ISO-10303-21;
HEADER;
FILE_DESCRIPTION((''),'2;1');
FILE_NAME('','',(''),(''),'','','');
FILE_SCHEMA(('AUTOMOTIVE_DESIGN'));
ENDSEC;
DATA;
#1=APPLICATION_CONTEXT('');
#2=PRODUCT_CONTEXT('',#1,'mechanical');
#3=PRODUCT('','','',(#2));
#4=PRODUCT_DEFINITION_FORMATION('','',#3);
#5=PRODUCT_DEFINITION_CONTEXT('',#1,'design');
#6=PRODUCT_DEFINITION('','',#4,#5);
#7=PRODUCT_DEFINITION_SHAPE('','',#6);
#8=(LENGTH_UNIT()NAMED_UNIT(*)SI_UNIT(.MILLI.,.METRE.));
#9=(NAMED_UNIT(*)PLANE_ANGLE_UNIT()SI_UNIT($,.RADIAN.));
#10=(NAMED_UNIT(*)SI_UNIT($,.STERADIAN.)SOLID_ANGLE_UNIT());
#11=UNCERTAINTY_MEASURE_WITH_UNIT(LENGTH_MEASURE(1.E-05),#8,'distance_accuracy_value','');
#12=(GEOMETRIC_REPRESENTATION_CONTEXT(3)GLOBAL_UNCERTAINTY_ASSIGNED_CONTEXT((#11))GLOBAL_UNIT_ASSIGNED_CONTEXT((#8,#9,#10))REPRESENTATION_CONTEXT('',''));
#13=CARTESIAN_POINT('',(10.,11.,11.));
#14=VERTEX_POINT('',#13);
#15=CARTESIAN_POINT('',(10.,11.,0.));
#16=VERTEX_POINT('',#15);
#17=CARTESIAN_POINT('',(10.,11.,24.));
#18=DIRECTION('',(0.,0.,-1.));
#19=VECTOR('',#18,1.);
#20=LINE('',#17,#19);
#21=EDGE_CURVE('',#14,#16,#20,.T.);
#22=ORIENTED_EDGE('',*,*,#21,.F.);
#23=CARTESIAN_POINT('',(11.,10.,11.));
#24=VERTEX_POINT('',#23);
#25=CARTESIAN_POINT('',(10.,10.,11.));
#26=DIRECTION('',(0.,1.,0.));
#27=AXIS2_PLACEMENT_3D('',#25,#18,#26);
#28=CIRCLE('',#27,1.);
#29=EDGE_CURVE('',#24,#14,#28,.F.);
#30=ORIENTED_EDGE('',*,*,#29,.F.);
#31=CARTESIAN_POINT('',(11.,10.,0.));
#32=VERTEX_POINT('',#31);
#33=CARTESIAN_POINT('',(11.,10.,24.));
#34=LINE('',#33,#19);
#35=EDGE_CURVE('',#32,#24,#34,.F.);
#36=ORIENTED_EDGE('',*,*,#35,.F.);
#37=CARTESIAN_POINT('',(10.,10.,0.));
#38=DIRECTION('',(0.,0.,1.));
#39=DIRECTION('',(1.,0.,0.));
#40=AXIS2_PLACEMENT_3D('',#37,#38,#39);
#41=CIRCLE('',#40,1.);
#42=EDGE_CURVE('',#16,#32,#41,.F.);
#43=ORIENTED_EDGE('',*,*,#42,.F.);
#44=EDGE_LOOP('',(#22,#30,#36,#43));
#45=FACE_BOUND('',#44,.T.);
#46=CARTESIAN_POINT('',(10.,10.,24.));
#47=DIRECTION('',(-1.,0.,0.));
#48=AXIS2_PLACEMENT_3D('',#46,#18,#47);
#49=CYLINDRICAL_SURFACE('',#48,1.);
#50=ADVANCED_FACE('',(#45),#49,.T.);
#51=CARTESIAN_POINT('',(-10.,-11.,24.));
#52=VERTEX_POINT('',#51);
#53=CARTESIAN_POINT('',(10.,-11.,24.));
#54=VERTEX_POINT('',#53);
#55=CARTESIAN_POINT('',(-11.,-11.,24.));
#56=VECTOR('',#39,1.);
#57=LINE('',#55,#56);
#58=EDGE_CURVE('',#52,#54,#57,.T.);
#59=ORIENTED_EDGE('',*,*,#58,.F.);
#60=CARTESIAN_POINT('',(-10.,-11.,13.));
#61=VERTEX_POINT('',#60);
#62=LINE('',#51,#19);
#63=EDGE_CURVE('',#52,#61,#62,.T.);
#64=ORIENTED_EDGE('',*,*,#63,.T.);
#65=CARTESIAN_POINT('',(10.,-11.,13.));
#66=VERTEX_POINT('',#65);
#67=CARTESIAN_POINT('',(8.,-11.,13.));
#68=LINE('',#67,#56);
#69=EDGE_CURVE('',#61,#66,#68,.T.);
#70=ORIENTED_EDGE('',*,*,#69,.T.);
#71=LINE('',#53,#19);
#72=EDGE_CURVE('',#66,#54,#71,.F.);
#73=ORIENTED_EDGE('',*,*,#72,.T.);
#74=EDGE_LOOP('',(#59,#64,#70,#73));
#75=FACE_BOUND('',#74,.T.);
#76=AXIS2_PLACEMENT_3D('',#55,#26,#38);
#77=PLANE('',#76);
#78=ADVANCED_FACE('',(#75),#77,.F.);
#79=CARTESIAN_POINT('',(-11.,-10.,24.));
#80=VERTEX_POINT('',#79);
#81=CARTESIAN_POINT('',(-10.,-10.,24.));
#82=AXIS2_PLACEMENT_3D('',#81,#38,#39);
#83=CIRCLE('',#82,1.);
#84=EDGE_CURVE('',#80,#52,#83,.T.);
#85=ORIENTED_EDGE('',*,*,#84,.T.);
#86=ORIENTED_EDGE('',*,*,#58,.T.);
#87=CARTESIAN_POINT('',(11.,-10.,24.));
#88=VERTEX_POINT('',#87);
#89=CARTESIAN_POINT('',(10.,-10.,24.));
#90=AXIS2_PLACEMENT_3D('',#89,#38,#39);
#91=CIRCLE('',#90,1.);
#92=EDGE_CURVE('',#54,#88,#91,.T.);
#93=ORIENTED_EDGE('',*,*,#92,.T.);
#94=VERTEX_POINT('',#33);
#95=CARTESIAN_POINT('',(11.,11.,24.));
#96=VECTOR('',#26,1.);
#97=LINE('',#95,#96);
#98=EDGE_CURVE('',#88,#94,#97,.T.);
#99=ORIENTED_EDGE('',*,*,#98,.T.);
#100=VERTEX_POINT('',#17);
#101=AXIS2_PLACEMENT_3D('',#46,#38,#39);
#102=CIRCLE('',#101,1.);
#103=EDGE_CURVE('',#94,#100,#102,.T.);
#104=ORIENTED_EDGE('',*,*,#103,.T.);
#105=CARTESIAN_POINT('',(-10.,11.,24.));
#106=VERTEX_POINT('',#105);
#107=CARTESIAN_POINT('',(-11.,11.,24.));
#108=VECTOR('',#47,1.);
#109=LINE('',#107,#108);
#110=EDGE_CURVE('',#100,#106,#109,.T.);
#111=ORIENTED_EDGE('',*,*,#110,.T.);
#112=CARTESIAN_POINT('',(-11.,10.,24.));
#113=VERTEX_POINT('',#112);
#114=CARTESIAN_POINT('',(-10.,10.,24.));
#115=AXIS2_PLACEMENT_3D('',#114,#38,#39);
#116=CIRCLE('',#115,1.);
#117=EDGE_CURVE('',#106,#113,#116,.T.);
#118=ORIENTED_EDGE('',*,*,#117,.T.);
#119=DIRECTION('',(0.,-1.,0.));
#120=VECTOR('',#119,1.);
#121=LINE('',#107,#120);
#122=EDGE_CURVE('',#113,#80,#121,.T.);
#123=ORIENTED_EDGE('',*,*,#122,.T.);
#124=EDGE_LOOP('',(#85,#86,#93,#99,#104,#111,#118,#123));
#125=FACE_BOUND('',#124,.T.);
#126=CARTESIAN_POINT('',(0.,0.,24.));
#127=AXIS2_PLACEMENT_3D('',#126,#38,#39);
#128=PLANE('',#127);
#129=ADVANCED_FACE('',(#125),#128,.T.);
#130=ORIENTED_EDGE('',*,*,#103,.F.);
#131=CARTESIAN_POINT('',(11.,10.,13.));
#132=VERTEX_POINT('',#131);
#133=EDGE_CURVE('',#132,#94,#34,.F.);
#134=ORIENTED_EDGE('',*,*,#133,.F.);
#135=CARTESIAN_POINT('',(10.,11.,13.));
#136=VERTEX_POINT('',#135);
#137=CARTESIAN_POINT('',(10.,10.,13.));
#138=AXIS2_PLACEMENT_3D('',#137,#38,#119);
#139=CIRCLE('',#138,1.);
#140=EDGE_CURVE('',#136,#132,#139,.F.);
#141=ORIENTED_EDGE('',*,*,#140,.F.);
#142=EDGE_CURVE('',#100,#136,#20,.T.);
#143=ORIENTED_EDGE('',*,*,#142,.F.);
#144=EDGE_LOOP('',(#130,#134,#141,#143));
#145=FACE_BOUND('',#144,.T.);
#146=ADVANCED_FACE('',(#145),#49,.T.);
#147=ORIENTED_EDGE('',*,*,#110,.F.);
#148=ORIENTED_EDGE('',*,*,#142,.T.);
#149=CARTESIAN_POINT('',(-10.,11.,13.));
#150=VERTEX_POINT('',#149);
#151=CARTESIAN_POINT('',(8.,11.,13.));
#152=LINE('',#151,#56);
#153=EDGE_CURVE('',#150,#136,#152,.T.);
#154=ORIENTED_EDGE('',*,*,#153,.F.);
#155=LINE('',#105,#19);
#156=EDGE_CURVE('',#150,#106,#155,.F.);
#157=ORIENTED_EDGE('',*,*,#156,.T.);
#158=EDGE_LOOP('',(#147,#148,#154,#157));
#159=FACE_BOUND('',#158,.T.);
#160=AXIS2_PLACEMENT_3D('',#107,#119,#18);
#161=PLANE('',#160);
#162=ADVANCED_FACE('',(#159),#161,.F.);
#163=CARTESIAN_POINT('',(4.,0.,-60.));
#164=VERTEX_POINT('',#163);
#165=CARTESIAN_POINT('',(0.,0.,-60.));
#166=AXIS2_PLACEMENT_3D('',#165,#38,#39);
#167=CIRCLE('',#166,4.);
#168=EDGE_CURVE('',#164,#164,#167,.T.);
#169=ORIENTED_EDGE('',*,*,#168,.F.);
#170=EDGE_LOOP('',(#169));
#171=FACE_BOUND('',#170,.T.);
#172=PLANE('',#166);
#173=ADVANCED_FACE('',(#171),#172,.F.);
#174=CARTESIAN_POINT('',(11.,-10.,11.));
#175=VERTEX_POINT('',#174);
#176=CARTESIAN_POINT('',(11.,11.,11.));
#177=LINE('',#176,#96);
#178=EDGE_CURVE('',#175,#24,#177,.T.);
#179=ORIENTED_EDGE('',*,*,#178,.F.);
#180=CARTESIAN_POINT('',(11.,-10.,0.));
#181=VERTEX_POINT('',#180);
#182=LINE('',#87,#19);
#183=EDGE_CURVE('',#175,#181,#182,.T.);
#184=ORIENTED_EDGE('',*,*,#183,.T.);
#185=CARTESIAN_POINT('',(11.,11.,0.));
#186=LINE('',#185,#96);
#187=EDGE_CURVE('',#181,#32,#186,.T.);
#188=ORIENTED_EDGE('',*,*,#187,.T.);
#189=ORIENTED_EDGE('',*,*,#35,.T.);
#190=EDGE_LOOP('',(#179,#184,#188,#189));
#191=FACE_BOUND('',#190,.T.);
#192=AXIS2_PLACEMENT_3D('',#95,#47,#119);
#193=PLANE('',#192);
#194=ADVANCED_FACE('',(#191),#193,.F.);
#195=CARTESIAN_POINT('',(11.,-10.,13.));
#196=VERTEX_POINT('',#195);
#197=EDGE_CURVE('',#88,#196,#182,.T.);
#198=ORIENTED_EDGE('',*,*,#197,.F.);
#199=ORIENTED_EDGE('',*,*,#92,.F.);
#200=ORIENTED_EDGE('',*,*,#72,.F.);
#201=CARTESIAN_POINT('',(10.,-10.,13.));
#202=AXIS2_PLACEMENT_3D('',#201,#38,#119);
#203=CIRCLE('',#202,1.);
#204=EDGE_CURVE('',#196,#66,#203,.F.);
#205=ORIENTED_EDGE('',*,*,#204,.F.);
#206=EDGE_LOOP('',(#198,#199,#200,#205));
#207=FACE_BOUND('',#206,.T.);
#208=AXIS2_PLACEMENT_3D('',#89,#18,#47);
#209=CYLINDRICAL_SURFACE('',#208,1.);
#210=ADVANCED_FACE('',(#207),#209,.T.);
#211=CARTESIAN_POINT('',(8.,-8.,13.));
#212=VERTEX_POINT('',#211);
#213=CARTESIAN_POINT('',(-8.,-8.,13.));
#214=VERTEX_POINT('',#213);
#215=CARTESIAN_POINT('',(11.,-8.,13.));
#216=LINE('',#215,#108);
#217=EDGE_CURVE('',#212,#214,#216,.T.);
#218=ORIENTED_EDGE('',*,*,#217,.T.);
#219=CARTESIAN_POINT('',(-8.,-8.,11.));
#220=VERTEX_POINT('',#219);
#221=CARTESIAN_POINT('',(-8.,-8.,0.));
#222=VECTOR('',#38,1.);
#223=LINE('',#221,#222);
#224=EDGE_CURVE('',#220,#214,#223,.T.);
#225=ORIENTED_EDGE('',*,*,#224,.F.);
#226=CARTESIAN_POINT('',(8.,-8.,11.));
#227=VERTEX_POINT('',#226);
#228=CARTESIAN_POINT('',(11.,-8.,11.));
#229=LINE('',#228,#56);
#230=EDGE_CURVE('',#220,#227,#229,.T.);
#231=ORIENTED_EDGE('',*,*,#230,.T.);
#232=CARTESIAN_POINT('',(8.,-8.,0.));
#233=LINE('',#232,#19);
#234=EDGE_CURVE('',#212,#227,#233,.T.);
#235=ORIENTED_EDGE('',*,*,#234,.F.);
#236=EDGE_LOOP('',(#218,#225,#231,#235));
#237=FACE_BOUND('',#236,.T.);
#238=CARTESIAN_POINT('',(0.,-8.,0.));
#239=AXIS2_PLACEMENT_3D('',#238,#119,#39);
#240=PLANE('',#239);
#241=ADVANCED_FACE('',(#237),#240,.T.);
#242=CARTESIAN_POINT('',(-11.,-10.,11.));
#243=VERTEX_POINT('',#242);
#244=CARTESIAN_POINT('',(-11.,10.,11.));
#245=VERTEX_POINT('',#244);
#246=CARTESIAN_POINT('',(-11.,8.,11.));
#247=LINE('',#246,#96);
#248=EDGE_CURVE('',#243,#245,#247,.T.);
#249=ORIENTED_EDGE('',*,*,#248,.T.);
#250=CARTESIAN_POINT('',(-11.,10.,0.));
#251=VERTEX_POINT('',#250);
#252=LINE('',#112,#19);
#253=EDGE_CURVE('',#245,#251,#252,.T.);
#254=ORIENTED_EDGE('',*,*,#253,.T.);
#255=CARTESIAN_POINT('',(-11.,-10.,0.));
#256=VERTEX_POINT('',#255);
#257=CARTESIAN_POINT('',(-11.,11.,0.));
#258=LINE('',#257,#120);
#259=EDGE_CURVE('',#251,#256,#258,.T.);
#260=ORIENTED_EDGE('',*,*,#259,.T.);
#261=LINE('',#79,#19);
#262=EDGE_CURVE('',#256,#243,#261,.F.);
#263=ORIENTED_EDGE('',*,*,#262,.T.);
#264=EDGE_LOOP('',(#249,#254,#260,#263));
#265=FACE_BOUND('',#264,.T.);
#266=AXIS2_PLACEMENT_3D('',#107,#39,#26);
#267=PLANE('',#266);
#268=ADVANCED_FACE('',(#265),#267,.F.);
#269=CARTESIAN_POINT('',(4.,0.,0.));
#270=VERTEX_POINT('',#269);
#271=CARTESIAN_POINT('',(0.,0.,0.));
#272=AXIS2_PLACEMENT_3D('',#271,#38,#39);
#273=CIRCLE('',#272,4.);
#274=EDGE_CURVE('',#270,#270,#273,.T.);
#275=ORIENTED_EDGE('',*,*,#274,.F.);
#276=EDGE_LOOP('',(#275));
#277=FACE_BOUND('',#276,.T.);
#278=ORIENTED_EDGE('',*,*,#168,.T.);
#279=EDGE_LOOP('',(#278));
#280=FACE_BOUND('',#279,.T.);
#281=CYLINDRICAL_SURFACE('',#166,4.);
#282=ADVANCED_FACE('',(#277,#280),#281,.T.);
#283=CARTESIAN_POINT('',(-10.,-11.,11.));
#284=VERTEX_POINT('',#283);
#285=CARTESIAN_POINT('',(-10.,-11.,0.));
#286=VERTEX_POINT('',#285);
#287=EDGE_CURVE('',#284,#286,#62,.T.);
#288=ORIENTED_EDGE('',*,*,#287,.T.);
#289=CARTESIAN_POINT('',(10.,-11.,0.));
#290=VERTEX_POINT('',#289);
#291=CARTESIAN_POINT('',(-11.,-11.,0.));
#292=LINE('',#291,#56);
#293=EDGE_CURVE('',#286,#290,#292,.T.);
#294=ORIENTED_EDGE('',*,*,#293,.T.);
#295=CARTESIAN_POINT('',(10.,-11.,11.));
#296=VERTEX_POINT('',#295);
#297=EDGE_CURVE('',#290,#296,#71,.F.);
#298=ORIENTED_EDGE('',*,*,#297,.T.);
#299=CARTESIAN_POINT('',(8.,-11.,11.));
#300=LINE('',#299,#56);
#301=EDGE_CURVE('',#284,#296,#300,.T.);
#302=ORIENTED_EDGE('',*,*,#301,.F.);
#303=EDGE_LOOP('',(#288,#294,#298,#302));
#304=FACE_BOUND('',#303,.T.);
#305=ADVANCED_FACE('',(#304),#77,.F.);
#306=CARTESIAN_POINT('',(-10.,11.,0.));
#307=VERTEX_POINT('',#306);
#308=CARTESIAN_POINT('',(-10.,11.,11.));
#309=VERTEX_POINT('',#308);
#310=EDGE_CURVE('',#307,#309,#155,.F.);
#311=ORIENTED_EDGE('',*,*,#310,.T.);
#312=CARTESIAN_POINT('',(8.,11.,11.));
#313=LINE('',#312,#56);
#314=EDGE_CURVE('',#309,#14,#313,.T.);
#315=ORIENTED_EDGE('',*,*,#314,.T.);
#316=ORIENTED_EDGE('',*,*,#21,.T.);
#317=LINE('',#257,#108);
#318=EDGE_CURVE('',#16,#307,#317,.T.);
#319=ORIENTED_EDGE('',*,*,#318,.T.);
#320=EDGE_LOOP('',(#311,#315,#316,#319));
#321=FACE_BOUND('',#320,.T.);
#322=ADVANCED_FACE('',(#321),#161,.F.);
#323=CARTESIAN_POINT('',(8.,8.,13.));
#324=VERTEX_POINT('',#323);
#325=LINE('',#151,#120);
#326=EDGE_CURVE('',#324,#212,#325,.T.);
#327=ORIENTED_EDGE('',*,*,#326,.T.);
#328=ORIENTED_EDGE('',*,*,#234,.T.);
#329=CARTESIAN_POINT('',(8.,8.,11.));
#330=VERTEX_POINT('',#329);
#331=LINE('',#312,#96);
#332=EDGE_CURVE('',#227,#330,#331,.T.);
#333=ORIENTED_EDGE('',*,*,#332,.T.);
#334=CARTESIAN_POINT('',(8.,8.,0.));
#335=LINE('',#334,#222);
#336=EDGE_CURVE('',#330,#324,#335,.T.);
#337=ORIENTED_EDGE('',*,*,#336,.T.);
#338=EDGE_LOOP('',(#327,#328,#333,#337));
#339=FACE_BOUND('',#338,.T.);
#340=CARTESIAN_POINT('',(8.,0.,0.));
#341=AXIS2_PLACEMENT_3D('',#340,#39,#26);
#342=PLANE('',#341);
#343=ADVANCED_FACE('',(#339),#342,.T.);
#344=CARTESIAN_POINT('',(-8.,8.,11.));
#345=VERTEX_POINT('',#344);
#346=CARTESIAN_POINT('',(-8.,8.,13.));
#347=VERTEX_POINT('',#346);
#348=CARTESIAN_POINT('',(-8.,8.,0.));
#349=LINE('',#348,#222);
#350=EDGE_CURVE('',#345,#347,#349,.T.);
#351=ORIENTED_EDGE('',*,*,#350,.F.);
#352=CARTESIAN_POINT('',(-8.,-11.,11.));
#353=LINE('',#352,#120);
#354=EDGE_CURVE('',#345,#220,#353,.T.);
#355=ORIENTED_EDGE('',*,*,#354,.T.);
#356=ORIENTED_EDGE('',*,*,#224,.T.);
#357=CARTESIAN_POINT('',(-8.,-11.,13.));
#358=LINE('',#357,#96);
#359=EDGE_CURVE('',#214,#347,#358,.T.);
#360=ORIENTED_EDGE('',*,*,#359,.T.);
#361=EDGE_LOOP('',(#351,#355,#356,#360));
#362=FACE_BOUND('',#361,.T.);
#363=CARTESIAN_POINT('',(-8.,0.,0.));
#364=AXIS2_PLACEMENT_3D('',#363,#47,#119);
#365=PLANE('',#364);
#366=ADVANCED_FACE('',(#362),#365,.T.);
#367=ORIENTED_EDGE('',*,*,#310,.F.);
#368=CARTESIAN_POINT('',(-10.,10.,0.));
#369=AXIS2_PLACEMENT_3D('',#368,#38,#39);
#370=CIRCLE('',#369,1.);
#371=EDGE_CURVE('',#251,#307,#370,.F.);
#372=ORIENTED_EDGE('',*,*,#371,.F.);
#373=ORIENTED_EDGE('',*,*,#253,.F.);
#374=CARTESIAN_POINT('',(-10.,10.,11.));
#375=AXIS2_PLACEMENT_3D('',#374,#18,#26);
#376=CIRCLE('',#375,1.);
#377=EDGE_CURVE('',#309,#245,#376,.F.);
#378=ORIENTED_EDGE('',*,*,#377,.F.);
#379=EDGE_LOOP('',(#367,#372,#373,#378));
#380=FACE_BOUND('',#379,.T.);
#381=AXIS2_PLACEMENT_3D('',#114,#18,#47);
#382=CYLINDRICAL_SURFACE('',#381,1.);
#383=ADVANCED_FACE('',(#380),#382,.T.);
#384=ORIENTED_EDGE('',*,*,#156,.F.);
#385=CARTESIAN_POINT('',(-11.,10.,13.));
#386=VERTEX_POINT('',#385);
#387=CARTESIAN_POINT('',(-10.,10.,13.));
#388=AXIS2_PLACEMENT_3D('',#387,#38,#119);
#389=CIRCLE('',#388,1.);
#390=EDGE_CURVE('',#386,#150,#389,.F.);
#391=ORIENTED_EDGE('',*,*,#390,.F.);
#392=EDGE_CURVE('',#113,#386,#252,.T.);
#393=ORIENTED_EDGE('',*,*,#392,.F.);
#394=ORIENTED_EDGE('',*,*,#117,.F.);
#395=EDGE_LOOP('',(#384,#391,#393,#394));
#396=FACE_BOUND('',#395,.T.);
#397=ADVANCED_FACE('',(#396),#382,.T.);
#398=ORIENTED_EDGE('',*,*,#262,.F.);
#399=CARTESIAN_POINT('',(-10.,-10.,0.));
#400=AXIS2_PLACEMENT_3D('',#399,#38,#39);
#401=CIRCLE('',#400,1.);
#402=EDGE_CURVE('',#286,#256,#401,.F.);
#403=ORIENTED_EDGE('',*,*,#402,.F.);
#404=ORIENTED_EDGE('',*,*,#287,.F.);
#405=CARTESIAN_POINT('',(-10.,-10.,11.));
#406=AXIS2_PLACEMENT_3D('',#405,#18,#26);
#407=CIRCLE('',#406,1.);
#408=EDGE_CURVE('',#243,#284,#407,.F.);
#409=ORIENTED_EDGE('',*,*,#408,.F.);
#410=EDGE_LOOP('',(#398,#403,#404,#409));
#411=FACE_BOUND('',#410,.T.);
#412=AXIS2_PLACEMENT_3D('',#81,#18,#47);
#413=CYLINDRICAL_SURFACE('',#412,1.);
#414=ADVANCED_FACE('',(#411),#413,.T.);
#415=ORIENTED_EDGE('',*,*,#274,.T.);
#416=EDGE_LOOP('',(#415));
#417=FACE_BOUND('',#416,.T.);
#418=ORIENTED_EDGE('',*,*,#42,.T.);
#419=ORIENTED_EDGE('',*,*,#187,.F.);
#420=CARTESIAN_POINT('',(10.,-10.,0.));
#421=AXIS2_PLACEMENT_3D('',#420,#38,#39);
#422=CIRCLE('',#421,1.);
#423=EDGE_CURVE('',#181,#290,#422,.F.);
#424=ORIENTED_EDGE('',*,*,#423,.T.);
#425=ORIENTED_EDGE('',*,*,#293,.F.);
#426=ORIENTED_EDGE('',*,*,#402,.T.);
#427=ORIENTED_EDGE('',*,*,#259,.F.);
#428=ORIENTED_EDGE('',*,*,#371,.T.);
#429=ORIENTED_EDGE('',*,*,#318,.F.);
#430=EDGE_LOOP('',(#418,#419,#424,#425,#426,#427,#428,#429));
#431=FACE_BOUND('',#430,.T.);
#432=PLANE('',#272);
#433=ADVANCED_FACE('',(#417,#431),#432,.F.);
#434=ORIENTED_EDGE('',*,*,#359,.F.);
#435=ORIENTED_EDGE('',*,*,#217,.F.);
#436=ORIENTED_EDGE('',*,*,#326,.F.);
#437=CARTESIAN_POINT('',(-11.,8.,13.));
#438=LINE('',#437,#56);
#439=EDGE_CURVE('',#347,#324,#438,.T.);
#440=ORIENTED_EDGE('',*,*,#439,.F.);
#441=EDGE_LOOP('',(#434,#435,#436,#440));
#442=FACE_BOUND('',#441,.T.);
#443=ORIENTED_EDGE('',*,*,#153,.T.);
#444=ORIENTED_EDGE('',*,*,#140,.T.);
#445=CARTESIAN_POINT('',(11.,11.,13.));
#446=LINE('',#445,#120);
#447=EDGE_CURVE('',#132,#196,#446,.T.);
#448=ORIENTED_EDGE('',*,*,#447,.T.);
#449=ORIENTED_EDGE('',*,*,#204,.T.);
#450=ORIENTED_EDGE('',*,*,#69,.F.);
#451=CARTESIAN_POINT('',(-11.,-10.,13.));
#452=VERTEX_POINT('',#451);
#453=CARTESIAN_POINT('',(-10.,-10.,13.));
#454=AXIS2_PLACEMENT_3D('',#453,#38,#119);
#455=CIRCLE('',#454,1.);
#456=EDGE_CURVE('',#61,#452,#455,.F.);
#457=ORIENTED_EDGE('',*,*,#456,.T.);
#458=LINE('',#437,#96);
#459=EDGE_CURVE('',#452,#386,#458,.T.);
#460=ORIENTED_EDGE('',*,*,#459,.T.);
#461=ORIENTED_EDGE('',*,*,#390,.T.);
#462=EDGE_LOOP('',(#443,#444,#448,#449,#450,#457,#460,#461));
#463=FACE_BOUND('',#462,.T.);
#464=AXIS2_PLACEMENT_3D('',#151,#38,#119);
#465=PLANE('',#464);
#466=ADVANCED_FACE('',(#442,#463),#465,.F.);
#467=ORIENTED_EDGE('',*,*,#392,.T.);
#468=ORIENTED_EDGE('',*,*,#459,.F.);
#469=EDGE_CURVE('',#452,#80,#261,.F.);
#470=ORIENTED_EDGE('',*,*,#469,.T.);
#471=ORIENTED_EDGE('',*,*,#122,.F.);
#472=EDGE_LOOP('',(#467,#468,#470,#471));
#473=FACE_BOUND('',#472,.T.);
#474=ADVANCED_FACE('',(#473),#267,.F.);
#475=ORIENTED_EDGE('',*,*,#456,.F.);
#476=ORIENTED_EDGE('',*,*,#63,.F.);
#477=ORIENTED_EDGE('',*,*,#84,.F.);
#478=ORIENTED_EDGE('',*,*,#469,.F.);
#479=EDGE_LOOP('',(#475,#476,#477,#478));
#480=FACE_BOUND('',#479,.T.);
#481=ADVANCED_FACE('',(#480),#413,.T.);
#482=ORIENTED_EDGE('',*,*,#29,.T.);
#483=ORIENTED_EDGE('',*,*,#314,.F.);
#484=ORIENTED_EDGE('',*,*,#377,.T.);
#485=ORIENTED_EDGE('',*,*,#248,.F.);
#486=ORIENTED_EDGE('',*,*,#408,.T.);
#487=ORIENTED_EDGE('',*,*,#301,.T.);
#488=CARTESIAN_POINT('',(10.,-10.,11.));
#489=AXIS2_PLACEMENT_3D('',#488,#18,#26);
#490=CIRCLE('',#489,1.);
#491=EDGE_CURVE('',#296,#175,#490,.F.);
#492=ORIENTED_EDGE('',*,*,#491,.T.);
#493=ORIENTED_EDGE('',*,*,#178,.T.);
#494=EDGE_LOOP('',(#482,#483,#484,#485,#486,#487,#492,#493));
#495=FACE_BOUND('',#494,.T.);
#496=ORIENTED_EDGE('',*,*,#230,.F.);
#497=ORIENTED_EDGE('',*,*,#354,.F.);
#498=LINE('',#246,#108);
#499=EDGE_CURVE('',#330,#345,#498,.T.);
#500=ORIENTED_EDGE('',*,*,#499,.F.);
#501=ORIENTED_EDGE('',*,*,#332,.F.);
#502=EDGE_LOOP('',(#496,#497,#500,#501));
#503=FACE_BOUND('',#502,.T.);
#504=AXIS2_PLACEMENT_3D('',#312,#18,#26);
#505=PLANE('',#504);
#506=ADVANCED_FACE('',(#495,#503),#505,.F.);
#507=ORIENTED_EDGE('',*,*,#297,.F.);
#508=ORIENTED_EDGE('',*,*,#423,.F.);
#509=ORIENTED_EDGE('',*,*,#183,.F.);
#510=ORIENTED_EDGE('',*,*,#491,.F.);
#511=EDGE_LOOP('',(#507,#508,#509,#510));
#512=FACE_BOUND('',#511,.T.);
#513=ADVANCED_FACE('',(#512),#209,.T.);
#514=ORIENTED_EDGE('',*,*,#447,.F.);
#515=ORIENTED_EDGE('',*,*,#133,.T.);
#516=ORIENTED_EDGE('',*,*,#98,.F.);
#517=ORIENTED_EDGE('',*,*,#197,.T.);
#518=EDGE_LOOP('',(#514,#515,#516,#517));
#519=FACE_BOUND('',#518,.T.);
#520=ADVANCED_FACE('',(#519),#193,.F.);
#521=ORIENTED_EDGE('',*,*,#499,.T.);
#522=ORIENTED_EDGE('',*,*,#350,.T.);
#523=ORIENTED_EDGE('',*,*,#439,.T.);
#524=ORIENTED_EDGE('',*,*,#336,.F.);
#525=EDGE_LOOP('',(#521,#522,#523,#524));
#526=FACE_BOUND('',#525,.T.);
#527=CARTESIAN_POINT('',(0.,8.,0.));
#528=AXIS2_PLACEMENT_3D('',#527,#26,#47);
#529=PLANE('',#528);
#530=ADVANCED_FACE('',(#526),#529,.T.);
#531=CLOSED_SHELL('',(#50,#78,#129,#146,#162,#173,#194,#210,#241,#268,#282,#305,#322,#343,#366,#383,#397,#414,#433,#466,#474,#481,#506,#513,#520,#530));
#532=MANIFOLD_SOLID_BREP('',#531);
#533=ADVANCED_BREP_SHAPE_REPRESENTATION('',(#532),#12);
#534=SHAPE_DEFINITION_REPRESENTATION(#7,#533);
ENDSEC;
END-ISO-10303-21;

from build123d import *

# Parameters (mm, degrees)
SKETCH1_W           = 22
SKETCH1_H           = 22
BOSS_EXTRUDE1_DEPTH = 24
SKETCH2_W           = 2
SKETCH2_H           = 22
CUT_EXTRUDE1_DEPTH  = 3
CIRPATTERN1_COUNT   = 4
FILLET1_R           = 1
SKETCH3_R           = 4
BOSS_EXTRUDE2_DEPTH = 60


with BuildPart() as part:
    # Sketch1 → Boss-Extrude1 (new body)
    with BuildSketch(Plane.XY):
        Rectangle(SKETCH1_W, SKETCH1_H)
    extrude(amount=BOSS_EXTRUDE1_DEPTH)

    # Sketch2 → Cut-Extrude1 (cut)
    with BuildSketch(Plane(origin=(11, 0, 0), x_dir=(0, 0, -1), z_dir=(1, 0, 0))):
        with Locations((-12, 0)):
            Rectangle(SKETCH2_W, SKETCH2_H)
    cut_extrude1 = extrude(amount=-CUT_EXTRUDE1_DEPTH, mode=Mode.SUBTRACT)

    # CirPattern1: Cut-Extrude1 ×4 about axis
    cirpattern1_axis = Axis((0, 0, 0), (0, 0, 1))
    for i in range(1, CIRPATTERN1_COUNT):
        add(cut_extrude1.rotate(cirpattern1_axis, i * 360 / CIRPATTERN1_COUNT), mode=Mode.SUBTRACT)

    # Fillet1
    fillet1_edges = [part.edges().sort_by_distance(p)[0] for p in [
        (11, -11, 5.5),
        (11, 11, 5.5),
        (-11, -11, 5.5),
        (-11, 11, 5.5),
        (11, -11, 18.5),
        (-11, -11, 18.5),
        (-11, 11, 18.5),
        (11, 11, 18.5),
    ]]
    fillet(fillet1_edges, radius=FILLET1_R)

    # Sketch3 → Boss-Extrude2 (add)
    with BuildSketch(Plane.XY):
        Circle(SKETCH3_R)
    extrude(amount=-BOSS_EXTRUDE2_DEPTH)


solid = part.part
